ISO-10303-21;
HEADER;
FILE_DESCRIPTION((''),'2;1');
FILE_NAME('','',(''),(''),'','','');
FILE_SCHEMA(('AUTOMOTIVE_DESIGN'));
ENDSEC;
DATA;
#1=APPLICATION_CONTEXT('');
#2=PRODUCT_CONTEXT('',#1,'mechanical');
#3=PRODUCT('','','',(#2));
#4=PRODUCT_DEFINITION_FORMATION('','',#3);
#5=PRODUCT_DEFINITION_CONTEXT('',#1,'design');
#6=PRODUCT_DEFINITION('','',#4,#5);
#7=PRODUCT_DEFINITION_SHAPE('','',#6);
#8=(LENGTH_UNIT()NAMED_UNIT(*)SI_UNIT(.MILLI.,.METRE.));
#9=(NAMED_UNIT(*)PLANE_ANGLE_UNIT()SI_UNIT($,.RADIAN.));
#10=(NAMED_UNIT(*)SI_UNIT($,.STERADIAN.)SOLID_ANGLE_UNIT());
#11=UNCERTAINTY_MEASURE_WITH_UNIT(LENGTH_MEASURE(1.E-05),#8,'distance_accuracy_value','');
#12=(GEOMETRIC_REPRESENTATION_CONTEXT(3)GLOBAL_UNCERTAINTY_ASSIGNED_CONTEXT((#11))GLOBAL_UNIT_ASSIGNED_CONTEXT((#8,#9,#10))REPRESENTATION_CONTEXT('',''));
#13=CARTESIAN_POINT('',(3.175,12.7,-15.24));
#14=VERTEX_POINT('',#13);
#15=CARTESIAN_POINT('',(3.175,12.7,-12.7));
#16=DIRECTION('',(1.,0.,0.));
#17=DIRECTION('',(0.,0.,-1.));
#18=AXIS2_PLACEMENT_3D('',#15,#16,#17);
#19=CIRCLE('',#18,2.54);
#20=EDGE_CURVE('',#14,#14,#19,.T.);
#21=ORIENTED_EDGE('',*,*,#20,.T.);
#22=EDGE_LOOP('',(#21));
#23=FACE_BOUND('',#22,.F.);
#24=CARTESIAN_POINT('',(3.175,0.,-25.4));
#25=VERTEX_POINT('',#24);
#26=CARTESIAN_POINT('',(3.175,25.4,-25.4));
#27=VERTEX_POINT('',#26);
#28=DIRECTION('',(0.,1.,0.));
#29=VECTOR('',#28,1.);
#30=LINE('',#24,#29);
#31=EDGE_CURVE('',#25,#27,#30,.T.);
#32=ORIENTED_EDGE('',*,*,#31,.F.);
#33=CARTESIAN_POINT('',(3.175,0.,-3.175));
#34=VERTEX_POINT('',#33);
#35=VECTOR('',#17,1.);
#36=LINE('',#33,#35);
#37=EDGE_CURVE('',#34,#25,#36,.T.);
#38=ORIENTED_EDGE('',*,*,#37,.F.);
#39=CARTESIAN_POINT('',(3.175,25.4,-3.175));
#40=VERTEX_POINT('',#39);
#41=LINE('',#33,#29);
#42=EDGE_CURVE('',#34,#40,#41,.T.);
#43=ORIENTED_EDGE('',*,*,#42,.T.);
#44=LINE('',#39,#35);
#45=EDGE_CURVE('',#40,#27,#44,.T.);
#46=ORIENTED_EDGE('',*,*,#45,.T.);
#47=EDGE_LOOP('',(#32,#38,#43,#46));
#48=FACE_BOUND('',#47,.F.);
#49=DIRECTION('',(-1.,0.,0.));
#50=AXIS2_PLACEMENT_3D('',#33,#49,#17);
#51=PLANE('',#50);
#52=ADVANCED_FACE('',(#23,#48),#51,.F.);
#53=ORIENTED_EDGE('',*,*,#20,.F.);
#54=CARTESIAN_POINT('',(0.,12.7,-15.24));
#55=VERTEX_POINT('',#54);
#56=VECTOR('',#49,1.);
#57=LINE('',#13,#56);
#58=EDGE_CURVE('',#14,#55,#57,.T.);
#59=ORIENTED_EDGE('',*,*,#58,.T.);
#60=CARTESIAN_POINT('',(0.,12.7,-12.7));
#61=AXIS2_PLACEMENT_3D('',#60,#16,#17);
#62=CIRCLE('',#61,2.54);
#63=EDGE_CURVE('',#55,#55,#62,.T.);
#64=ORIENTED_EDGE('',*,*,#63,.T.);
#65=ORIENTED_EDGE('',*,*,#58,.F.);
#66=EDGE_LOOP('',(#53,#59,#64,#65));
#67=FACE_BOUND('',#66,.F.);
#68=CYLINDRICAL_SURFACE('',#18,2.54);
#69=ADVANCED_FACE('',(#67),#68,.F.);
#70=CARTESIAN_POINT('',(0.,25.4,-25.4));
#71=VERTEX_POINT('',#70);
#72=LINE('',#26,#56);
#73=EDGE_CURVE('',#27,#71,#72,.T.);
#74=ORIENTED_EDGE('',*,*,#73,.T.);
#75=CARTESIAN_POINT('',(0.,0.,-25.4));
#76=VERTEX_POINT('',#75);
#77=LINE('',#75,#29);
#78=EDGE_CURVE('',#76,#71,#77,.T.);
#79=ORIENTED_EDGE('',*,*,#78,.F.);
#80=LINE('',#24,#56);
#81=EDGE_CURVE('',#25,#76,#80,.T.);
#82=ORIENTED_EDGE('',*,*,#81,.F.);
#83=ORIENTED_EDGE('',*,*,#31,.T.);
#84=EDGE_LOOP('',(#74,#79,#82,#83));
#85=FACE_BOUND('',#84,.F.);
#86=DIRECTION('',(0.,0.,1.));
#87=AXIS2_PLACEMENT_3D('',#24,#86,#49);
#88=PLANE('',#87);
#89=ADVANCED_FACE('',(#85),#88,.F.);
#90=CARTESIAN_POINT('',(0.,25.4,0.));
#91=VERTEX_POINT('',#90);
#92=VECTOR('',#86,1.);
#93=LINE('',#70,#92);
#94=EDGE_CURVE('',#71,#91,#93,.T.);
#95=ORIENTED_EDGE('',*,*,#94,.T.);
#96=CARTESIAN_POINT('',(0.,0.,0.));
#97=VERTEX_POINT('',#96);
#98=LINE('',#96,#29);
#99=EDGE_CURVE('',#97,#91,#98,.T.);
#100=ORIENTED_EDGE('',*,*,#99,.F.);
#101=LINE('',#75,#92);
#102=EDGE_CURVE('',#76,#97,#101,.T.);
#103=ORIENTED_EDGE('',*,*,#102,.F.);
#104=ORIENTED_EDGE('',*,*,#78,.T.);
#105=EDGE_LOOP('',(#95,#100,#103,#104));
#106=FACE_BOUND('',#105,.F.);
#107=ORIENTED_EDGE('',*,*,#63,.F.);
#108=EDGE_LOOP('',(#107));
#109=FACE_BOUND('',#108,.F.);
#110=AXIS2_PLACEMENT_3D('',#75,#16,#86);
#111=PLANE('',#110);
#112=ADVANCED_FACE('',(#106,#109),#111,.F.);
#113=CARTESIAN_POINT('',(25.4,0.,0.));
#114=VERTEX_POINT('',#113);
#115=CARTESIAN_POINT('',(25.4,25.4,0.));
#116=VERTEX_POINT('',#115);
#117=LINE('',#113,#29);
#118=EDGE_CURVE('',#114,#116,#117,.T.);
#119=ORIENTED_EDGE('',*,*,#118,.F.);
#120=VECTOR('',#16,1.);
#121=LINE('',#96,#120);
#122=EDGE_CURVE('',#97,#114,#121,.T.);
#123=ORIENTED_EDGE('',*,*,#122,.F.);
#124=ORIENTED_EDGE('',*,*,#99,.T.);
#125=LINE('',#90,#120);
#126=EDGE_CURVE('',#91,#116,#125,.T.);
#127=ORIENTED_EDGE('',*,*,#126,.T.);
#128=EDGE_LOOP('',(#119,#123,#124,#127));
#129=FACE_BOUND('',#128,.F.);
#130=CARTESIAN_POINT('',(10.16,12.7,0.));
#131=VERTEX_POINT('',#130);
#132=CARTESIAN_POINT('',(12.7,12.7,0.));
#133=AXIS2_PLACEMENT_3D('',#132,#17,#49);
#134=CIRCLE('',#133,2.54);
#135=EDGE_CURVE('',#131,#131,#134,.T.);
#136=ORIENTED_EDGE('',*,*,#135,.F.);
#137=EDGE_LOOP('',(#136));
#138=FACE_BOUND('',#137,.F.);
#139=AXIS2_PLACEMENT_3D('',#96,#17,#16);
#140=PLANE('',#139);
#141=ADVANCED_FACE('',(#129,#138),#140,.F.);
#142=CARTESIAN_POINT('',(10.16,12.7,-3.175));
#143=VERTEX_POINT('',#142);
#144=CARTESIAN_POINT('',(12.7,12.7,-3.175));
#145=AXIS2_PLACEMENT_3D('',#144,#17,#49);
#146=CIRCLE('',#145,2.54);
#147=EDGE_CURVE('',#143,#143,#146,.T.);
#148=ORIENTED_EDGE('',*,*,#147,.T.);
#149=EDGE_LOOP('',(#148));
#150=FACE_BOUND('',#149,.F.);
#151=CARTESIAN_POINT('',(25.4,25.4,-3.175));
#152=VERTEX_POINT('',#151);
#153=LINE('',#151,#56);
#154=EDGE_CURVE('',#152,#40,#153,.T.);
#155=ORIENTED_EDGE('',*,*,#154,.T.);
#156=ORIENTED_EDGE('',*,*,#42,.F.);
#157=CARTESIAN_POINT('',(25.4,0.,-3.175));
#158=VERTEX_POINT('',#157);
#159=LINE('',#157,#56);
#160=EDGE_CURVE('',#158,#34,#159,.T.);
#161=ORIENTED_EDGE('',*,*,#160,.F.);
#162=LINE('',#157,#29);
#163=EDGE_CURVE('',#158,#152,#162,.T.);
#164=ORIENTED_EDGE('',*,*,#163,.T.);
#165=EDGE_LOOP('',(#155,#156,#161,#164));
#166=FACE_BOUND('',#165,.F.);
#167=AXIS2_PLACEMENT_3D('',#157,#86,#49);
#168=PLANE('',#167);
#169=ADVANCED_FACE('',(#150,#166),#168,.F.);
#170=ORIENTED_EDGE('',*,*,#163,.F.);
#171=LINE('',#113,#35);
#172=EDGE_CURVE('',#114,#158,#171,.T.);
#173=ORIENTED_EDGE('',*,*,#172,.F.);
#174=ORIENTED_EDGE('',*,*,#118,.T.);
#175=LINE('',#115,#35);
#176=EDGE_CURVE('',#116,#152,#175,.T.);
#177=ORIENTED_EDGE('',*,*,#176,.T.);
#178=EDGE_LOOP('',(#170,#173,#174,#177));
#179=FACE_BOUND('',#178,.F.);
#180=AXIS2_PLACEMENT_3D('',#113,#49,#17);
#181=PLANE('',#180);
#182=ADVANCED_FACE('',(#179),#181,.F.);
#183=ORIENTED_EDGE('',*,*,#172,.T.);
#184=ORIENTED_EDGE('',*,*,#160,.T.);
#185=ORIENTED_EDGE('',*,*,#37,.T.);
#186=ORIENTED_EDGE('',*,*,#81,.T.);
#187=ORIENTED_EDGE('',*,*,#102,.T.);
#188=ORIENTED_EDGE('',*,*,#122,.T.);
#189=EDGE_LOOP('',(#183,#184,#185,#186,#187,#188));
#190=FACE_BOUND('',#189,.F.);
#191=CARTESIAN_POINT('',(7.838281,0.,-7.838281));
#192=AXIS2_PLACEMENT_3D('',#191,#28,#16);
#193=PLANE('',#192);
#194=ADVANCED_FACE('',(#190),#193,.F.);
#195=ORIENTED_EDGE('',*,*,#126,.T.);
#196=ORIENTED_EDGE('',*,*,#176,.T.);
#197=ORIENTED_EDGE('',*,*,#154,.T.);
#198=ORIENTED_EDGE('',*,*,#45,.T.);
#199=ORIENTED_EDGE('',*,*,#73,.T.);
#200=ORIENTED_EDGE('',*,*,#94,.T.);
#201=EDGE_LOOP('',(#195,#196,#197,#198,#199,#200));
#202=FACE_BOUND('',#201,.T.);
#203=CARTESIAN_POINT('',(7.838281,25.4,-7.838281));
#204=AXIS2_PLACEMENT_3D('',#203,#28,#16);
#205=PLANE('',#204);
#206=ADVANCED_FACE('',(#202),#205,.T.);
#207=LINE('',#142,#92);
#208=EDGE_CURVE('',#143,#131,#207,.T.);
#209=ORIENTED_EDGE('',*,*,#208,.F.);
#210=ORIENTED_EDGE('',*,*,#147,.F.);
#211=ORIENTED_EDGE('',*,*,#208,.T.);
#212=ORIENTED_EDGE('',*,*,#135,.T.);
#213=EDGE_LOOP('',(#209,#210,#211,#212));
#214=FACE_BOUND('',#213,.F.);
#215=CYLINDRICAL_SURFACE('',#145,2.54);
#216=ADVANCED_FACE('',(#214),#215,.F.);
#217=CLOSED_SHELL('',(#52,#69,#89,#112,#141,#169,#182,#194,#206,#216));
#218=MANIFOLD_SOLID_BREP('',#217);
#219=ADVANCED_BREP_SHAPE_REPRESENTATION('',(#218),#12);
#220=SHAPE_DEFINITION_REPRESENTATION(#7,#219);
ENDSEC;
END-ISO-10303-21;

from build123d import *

# Parameters (mm, degrees)
BOSS_EXTRUDE1_DEPTH = 25.4
SKETCH2_R           = 2.54
CUT_EXTRUDE1_DEPTH  = 25.4
SKETCH3_R           = 2.54
CUT_EXTRUDE2_DEPTH  = 25.4


with BuildPart() as part:
    # Sketch1 → Boss-Extrude1 (new body)
    with BuildSketch(Plane(origin=(0, 0, 0), x_dir=(1, 0, 0), z_dir=(0, 1, 0))):
        Polygon((0, 0), (3.175, 0), (25.4, 0), (25.4, 3.175), (3.175, 3.175), (3.175, 25.4), (0, 25.4), align=None)
    extrude(amount=BOSS_EXTRUDE1_DEPTH)

    # Sketch2 → Cut-Extrude1 (cut)
    with BuildSketch(Plane(origin=(3.175, 0, 0), x_dir=(0, 0, -1), z_dir=(1, 0, 0))):
        with Locations((12.7, 12.7)):
            Circle(SKETCH2_R)
    extrude(amount=-CUT_EXTRUDE1_DEPTH, mode=Mode.SUBTRACT)

    # Sketch3 → Cut-Extrude2 (cut)
    with BuildSketch(Plane(origin=(0, 0, -3.175), x_dir=(-1, 0, 0), z_dir=(0, 0, -1))):
        with Locations((-12.7, 12.7)):
            Circle(SKETCH3_R)
    extrude(amount=-CUT_EXTRUDE2_DEPTH, mode=Mode.SUBTRACT)


solid = part.part
